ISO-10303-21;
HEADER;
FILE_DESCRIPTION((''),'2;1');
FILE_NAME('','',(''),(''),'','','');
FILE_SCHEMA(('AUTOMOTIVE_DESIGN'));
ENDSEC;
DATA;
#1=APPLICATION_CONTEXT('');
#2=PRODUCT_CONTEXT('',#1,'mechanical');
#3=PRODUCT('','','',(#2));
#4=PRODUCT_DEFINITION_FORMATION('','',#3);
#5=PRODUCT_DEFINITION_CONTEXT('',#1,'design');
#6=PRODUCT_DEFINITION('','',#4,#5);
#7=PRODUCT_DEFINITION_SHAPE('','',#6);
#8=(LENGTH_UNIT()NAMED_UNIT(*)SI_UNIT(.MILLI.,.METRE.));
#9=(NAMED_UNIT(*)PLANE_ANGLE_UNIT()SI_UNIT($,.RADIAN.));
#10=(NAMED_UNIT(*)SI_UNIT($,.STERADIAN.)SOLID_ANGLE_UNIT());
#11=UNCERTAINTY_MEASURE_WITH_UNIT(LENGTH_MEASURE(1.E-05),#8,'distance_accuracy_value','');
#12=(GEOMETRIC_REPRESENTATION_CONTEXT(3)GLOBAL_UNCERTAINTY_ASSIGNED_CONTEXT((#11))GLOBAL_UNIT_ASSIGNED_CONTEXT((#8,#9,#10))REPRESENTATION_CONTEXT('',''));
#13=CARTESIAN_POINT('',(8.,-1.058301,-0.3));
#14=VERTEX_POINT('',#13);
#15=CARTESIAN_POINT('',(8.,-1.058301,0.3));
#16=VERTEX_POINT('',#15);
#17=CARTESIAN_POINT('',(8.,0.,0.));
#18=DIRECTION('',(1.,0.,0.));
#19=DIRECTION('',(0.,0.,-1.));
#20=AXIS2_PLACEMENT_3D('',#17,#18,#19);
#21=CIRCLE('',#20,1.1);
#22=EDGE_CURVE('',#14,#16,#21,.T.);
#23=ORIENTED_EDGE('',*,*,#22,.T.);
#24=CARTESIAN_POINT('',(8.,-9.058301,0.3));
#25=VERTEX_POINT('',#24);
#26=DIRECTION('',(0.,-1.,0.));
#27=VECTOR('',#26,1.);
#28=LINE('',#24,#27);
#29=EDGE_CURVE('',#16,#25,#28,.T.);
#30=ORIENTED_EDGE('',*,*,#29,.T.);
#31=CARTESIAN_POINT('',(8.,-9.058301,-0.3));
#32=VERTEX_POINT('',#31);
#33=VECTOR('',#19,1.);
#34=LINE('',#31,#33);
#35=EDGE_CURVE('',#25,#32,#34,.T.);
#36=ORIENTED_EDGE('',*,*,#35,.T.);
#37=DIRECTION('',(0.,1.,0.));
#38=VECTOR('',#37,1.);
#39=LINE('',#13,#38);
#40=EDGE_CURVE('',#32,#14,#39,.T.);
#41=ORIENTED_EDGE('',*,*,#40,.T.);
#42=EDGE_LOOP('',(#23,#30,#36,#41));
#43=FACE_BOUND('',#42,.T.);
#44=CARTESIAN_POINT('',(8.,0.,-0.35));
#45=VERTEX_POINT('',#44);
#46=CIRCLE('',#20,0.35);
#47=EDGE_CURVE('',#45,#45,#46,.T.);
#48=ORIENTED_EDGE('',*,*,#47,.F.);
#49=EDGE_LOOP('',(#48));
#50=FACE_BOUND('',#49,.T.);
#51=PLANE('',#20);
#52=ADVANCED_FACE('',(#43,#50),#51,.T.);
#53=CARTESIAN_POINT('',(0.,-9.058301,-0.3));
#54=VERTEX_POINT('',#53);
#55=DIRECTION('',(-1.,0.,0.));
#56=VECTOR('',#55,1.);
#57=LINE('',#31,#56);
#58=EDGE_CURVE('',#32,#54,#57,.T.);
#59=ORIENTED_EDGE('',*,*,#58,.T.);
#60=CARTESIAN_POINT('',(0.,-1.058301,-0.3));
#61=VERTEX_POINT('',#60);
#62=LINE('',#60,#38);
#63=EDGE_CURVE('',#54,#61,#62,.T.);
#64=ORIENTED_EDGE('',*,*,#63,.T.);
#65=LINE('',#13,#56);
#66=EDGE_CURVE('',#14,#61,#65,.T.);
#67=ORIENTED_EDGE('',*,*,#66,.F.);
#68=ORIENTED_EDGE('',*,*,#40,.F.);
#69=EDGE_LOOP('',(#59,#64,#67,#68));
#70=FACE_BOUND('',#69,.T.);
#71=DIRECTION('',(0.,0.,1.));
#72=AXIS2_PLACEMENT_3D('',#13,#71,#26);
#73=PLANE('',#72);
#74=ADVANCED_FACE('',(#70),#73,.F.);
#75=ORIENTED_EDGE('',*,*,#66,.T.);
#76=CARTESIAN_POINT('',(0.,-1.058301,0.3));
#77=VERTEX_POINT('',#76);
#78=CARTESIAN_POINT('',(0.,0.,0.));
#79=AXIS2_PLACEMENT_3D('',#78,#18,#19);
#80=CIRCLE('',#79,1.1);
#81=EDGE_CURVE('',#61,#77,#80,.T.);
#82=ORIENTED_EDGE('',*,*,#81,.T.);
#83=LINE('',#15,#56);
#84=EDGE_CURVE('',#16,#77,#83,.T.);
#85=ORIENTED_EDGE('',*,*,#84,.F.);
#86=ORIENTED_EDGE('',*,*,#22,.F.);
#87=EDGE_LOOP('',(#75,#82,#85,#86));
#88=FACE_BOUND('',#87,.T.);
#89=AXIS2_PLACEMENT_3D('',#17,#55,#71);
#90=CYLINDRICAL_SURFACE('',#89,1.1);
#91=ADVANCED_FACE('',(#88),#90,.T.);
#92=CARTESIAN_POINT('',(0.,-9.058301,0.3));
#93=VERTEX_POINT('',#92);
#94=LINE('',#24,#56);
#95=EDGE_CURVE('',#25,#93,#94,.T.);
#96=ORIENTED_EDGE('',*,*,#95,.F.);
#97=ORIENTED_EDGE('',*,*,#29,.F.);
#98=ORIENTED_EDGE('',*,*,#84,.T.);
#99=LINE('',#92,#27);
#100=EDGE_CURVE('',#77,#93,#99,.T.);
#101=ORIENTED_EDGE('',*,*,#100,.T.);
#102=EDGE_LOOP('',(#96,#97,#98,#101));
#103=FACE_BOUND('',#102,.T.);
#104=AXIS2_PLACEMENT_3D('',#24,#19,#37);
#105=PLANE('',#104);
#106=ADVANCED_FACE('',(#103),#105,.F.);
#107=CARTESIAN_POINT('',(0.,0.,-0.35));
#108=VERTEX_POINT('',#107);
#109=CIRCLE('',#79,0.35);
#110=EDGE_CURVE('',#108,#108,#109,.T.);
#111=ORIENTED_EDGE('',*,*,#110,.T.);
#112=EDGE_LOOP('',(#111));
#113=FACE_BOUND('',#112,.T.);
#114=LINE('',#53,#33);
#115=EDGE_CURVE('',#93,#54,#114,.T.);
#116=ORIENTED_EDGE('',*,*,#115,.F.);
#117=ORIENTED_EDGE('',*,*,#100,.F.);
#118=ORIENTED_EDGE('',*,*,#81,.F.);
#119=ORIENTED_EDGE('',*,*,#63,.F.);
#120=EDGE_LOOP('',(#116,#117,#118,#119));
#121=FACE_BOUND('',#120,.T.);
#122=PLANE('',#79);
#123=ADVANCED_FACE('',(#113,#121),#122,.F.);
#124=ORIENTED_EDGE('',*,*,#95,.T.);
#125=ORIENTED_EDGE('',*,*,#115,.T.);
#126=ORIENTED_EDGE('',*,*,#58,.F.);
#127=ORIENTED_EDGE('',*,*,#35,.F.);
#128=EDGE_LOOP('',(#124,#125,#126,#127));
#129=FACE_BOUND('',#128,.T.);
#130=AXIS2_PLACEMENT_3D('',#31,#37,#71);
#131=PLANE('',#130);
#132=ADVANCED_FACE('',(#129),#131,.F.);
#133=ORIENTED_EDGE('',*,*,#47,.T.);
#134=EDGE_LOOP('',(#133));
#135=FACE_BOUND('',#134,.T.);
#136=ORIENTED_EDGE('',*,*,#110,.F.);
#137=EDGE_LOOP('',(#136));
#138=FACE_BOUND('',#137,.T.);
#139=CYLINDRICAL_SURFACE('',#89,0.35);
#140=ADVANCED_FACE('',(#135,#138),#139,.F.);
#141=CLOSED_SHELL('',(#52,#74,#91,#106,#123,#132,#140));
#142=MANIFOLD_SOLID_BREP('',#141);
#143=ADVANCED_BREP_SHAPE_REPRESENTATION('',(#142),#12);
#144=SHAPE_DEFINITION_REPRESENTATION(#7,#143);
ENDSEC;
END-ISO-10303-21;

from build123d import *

# Parameters (mm, degrees)
SKETCH_1_R      = 0.35
EXTRUDE_1_DEPTH = 8


with BuildPart() as part:
    # 草图1 → 凸台-拉伸1 (new body)
    with BuildSketch(Plane(origin=(0, 0, 0), x_dir=(0, 0, -1), z_dir=(1, 0, 0))):
        with BuildLine():
            Line((0.3, -1.058300524), (0.3, -9.058300524))
            Line((0.3, -9.058300524), (-0.3, -9.058300524))
            Line((-0.3, -9.058300524), (-0.3, -1.058300524))
            ThreePointArc((-0.3, -1.058300524), (0, 1.1), (0.3, -1.058300524))
        make_face()
        Circle(SKETCH_1_R, mode=Mode.SUBTRACT)
    extrude(amount=EXTRUDE_1_DEPTH)


solid = part.part
